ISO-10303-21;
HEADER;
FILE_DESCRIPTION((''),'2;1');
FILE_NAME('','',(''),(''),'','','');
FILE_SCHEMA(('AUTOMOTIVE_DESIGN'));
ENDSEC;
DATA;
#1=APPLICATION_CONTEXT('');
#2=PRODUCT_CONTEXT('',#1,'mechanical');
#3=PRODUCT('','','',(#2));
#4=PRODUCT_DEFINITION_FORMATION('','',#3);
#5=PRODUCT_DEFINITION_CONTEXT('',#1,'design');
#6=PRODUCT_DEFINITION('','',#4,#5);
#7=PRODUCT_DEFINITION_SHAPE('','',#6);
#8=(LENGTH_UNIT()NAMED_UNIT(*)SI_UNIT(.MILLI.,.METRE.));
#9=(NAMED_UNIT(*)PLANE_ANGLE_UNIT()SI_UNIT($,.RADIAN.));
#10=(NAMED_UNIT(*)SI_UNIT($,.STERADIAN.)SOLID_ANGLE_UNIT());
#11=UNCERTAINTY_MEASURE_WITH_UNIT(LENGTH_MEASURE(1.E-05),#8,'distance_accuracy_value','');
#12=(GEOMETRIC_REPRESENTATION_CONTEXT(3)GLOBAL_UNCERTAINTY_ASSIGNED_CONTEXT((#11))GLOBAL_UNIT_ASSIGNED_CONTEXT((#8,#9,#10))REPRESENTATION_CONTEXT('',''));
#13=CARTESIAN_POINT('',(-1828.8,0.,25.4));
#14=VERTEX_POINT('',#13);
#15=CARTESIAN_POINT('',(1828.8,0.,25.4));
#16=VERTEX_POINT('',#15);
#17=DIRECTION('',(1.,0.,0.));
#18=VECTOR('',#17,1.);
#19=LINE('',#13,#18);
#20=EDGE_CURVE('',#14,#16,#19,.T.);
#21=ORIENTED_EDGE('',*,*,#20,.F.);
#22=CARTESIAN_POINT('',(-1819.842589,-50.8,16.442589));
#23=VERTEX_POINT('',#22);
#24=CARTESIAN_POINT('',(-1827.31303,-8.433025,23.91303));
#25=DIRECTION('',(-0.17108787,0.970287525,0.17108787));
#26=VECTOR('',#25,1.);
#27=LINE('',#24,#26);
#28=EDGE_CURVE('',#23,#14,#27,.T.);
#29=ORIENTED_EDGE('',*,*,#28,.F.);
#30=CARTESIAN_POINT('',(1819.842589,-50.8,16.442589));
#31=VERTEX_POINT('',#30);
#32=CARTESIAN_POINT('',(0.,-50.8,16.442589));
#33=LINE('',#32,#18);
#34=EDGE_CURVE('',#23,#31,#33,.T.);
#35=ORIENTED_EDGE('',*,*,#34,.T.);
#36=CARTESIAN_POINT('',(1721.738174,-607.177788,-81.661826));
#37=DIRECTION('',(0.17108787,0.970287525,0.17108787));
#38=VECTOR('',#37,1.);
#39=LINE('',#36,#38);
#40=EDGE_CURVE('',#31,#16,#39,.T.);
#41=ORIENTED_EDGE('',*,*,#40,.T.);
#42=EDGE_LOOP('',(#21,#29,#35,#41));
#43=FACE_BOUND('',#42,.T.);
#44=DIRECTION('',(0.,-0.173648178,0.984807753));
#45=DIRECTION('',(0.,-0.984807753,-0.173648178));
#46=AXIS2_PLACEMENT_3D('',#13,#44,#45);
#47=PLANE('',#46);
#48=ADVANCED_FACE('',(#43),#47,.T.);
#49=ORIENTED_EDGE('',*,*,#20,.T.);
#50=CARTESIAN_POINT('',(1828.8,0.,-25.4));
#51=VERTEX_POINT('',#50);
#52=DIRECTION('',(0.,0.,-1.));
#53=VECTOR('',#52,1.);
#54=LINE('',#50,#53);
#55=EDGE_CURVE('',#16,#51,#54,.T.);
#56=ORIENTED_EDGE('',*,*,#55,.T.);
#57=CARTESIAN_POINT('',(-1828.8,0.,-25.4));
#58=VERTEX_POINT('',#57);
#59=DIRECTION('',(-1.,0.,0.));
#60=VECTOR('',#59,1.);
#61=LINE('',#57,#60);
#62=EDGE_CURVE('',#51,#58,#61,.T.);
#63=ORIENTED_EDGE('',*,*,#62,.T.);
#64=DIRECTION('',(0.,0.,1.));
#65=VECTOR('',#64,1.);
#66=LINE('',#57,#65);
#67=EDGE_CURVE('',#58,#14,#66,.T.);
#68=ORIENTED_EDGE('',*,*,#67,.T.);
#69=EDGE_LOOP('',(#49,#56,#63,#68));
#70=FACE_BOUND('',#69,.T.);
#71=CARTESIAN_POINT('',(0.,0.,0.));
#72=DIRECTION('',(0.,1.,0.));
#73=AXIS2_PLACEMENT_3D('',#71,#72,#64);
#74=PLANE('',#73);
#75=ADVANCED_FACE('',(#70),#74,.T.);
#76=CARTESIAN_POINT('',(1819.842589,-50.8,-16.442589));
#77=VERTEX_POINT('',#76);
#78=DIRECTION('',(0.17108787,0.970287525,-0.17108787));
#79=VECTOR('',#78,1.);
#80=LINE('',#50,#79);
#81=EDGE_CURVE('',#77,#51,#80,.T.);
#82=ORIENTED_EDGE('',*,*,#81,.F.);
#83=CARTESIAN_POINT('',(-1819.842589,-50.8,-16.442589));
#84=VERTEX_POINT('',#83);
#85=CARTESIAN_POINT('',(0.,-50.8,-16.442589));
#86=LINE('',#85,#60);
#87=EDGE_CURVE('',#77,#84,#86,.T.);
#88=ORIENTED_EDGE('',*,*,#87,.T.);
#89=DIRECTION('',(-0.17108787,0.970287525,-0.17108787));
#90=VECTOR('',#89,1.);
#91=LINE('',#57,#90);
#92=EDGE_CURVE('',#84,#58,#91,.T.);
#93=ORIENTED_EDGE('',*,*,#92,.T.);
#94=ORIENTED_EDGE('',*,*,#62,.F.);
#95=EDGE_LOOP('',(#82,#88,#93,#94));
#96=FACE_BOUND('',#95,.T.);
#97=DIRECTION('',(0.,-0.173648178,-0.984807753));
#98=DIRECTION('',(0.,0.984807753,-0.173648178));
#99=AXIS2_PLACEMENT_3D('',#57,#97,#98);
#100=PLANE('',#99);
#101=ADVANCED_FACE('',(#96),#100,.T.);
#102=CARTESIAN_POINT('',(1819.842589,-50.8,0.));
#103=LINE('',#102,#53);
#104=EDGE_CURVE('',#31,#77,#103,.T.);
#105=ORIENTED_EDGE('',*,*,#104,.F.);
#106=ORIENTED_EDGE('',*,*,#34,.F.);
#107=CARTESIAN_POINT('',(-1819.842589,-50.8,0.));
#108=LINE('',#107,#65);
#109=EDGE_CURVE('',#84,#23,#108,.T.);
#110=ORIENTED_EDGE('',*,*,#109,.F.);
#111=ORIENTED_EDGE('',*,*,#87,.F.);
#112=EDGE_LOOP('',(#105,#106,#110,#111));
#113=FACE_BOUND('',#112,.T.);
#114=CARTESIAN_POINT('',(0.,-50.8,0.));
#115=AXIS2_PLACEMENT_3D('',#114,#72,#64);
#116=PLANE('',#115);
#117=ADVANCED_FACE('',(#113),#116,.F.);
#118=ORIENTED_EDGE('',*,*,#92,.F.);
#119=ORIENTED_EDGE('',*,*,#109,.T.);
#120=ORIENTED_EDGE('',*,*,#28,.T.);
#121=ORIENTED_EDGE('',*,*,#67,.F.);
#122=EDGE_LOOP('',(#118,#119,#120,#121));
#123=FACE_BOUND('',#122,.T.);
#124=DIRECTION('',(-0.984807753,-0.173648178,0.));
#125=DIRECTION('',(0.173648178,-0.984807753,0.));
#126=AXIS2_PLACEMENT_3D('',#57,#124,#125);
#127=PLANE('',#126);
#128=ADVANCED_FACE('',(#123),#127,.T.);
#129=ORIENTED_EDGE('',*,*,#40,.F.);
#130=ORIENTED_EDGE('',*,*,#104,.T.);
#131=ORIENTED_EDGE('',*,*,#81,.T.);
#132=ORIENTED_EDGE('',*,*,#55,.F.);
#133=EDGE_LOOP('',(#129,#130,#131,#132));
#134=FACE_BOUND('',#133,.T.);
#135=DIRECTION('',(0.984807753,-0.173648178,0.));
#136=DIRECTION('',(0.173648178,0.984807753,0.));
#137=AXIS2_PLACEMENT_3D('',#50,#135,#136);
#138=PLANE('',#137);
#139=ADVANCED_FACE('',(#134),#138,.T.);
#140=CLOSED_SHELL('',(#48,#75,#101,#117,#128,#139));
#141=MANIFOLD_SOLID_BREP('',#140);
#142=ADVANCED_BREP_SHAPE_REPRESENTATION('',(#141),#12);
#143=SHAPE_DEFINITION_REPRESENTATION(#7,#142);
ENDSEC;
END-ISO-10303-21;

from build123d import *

# Parameters (mm, degrees)
SKETCH1_W           = 3657.6
SKETCH1_H           = 50.8
BOSS_EXTRUDE1_DEPTH = 50.8
BOSS_EXTRUDE1_DRAFT = -10


with BuildPart() as part:
    # Sketch1 → Boss-Extrude1 (with draft: the straight prism first)
    with BuildSketch(Plane(origin=(0, 0, 0), x_dir=(1, 0, 0), z_dir=(0, 1, 0))):
        Rectangle(SKETCH1_W, SKETCH1_H)
    extrude(amount=-BOSS_EXTRUDE1_DEPTH)
    # Boss-Extrude1: the draft: its side faces are tilted about the plane it starts from
    boss_extrude1_sides = [part.faces().sort_by_distance(p)[0] for p in [
        (-1828.8, -25.4, 0),
        (0, -25.4, 25.4),
        (1828.8, -25.4, 0),
        (0, -25.4, -25.4),
    ]]
    draft(boss_extrude1_sides, Plane(origin=(0, 0, 0), x_dir=(1, 0, 0), z_dir=(0, 1, 0)), BOSS_EXTRUDE1_DRAFT)


solid = part.part
